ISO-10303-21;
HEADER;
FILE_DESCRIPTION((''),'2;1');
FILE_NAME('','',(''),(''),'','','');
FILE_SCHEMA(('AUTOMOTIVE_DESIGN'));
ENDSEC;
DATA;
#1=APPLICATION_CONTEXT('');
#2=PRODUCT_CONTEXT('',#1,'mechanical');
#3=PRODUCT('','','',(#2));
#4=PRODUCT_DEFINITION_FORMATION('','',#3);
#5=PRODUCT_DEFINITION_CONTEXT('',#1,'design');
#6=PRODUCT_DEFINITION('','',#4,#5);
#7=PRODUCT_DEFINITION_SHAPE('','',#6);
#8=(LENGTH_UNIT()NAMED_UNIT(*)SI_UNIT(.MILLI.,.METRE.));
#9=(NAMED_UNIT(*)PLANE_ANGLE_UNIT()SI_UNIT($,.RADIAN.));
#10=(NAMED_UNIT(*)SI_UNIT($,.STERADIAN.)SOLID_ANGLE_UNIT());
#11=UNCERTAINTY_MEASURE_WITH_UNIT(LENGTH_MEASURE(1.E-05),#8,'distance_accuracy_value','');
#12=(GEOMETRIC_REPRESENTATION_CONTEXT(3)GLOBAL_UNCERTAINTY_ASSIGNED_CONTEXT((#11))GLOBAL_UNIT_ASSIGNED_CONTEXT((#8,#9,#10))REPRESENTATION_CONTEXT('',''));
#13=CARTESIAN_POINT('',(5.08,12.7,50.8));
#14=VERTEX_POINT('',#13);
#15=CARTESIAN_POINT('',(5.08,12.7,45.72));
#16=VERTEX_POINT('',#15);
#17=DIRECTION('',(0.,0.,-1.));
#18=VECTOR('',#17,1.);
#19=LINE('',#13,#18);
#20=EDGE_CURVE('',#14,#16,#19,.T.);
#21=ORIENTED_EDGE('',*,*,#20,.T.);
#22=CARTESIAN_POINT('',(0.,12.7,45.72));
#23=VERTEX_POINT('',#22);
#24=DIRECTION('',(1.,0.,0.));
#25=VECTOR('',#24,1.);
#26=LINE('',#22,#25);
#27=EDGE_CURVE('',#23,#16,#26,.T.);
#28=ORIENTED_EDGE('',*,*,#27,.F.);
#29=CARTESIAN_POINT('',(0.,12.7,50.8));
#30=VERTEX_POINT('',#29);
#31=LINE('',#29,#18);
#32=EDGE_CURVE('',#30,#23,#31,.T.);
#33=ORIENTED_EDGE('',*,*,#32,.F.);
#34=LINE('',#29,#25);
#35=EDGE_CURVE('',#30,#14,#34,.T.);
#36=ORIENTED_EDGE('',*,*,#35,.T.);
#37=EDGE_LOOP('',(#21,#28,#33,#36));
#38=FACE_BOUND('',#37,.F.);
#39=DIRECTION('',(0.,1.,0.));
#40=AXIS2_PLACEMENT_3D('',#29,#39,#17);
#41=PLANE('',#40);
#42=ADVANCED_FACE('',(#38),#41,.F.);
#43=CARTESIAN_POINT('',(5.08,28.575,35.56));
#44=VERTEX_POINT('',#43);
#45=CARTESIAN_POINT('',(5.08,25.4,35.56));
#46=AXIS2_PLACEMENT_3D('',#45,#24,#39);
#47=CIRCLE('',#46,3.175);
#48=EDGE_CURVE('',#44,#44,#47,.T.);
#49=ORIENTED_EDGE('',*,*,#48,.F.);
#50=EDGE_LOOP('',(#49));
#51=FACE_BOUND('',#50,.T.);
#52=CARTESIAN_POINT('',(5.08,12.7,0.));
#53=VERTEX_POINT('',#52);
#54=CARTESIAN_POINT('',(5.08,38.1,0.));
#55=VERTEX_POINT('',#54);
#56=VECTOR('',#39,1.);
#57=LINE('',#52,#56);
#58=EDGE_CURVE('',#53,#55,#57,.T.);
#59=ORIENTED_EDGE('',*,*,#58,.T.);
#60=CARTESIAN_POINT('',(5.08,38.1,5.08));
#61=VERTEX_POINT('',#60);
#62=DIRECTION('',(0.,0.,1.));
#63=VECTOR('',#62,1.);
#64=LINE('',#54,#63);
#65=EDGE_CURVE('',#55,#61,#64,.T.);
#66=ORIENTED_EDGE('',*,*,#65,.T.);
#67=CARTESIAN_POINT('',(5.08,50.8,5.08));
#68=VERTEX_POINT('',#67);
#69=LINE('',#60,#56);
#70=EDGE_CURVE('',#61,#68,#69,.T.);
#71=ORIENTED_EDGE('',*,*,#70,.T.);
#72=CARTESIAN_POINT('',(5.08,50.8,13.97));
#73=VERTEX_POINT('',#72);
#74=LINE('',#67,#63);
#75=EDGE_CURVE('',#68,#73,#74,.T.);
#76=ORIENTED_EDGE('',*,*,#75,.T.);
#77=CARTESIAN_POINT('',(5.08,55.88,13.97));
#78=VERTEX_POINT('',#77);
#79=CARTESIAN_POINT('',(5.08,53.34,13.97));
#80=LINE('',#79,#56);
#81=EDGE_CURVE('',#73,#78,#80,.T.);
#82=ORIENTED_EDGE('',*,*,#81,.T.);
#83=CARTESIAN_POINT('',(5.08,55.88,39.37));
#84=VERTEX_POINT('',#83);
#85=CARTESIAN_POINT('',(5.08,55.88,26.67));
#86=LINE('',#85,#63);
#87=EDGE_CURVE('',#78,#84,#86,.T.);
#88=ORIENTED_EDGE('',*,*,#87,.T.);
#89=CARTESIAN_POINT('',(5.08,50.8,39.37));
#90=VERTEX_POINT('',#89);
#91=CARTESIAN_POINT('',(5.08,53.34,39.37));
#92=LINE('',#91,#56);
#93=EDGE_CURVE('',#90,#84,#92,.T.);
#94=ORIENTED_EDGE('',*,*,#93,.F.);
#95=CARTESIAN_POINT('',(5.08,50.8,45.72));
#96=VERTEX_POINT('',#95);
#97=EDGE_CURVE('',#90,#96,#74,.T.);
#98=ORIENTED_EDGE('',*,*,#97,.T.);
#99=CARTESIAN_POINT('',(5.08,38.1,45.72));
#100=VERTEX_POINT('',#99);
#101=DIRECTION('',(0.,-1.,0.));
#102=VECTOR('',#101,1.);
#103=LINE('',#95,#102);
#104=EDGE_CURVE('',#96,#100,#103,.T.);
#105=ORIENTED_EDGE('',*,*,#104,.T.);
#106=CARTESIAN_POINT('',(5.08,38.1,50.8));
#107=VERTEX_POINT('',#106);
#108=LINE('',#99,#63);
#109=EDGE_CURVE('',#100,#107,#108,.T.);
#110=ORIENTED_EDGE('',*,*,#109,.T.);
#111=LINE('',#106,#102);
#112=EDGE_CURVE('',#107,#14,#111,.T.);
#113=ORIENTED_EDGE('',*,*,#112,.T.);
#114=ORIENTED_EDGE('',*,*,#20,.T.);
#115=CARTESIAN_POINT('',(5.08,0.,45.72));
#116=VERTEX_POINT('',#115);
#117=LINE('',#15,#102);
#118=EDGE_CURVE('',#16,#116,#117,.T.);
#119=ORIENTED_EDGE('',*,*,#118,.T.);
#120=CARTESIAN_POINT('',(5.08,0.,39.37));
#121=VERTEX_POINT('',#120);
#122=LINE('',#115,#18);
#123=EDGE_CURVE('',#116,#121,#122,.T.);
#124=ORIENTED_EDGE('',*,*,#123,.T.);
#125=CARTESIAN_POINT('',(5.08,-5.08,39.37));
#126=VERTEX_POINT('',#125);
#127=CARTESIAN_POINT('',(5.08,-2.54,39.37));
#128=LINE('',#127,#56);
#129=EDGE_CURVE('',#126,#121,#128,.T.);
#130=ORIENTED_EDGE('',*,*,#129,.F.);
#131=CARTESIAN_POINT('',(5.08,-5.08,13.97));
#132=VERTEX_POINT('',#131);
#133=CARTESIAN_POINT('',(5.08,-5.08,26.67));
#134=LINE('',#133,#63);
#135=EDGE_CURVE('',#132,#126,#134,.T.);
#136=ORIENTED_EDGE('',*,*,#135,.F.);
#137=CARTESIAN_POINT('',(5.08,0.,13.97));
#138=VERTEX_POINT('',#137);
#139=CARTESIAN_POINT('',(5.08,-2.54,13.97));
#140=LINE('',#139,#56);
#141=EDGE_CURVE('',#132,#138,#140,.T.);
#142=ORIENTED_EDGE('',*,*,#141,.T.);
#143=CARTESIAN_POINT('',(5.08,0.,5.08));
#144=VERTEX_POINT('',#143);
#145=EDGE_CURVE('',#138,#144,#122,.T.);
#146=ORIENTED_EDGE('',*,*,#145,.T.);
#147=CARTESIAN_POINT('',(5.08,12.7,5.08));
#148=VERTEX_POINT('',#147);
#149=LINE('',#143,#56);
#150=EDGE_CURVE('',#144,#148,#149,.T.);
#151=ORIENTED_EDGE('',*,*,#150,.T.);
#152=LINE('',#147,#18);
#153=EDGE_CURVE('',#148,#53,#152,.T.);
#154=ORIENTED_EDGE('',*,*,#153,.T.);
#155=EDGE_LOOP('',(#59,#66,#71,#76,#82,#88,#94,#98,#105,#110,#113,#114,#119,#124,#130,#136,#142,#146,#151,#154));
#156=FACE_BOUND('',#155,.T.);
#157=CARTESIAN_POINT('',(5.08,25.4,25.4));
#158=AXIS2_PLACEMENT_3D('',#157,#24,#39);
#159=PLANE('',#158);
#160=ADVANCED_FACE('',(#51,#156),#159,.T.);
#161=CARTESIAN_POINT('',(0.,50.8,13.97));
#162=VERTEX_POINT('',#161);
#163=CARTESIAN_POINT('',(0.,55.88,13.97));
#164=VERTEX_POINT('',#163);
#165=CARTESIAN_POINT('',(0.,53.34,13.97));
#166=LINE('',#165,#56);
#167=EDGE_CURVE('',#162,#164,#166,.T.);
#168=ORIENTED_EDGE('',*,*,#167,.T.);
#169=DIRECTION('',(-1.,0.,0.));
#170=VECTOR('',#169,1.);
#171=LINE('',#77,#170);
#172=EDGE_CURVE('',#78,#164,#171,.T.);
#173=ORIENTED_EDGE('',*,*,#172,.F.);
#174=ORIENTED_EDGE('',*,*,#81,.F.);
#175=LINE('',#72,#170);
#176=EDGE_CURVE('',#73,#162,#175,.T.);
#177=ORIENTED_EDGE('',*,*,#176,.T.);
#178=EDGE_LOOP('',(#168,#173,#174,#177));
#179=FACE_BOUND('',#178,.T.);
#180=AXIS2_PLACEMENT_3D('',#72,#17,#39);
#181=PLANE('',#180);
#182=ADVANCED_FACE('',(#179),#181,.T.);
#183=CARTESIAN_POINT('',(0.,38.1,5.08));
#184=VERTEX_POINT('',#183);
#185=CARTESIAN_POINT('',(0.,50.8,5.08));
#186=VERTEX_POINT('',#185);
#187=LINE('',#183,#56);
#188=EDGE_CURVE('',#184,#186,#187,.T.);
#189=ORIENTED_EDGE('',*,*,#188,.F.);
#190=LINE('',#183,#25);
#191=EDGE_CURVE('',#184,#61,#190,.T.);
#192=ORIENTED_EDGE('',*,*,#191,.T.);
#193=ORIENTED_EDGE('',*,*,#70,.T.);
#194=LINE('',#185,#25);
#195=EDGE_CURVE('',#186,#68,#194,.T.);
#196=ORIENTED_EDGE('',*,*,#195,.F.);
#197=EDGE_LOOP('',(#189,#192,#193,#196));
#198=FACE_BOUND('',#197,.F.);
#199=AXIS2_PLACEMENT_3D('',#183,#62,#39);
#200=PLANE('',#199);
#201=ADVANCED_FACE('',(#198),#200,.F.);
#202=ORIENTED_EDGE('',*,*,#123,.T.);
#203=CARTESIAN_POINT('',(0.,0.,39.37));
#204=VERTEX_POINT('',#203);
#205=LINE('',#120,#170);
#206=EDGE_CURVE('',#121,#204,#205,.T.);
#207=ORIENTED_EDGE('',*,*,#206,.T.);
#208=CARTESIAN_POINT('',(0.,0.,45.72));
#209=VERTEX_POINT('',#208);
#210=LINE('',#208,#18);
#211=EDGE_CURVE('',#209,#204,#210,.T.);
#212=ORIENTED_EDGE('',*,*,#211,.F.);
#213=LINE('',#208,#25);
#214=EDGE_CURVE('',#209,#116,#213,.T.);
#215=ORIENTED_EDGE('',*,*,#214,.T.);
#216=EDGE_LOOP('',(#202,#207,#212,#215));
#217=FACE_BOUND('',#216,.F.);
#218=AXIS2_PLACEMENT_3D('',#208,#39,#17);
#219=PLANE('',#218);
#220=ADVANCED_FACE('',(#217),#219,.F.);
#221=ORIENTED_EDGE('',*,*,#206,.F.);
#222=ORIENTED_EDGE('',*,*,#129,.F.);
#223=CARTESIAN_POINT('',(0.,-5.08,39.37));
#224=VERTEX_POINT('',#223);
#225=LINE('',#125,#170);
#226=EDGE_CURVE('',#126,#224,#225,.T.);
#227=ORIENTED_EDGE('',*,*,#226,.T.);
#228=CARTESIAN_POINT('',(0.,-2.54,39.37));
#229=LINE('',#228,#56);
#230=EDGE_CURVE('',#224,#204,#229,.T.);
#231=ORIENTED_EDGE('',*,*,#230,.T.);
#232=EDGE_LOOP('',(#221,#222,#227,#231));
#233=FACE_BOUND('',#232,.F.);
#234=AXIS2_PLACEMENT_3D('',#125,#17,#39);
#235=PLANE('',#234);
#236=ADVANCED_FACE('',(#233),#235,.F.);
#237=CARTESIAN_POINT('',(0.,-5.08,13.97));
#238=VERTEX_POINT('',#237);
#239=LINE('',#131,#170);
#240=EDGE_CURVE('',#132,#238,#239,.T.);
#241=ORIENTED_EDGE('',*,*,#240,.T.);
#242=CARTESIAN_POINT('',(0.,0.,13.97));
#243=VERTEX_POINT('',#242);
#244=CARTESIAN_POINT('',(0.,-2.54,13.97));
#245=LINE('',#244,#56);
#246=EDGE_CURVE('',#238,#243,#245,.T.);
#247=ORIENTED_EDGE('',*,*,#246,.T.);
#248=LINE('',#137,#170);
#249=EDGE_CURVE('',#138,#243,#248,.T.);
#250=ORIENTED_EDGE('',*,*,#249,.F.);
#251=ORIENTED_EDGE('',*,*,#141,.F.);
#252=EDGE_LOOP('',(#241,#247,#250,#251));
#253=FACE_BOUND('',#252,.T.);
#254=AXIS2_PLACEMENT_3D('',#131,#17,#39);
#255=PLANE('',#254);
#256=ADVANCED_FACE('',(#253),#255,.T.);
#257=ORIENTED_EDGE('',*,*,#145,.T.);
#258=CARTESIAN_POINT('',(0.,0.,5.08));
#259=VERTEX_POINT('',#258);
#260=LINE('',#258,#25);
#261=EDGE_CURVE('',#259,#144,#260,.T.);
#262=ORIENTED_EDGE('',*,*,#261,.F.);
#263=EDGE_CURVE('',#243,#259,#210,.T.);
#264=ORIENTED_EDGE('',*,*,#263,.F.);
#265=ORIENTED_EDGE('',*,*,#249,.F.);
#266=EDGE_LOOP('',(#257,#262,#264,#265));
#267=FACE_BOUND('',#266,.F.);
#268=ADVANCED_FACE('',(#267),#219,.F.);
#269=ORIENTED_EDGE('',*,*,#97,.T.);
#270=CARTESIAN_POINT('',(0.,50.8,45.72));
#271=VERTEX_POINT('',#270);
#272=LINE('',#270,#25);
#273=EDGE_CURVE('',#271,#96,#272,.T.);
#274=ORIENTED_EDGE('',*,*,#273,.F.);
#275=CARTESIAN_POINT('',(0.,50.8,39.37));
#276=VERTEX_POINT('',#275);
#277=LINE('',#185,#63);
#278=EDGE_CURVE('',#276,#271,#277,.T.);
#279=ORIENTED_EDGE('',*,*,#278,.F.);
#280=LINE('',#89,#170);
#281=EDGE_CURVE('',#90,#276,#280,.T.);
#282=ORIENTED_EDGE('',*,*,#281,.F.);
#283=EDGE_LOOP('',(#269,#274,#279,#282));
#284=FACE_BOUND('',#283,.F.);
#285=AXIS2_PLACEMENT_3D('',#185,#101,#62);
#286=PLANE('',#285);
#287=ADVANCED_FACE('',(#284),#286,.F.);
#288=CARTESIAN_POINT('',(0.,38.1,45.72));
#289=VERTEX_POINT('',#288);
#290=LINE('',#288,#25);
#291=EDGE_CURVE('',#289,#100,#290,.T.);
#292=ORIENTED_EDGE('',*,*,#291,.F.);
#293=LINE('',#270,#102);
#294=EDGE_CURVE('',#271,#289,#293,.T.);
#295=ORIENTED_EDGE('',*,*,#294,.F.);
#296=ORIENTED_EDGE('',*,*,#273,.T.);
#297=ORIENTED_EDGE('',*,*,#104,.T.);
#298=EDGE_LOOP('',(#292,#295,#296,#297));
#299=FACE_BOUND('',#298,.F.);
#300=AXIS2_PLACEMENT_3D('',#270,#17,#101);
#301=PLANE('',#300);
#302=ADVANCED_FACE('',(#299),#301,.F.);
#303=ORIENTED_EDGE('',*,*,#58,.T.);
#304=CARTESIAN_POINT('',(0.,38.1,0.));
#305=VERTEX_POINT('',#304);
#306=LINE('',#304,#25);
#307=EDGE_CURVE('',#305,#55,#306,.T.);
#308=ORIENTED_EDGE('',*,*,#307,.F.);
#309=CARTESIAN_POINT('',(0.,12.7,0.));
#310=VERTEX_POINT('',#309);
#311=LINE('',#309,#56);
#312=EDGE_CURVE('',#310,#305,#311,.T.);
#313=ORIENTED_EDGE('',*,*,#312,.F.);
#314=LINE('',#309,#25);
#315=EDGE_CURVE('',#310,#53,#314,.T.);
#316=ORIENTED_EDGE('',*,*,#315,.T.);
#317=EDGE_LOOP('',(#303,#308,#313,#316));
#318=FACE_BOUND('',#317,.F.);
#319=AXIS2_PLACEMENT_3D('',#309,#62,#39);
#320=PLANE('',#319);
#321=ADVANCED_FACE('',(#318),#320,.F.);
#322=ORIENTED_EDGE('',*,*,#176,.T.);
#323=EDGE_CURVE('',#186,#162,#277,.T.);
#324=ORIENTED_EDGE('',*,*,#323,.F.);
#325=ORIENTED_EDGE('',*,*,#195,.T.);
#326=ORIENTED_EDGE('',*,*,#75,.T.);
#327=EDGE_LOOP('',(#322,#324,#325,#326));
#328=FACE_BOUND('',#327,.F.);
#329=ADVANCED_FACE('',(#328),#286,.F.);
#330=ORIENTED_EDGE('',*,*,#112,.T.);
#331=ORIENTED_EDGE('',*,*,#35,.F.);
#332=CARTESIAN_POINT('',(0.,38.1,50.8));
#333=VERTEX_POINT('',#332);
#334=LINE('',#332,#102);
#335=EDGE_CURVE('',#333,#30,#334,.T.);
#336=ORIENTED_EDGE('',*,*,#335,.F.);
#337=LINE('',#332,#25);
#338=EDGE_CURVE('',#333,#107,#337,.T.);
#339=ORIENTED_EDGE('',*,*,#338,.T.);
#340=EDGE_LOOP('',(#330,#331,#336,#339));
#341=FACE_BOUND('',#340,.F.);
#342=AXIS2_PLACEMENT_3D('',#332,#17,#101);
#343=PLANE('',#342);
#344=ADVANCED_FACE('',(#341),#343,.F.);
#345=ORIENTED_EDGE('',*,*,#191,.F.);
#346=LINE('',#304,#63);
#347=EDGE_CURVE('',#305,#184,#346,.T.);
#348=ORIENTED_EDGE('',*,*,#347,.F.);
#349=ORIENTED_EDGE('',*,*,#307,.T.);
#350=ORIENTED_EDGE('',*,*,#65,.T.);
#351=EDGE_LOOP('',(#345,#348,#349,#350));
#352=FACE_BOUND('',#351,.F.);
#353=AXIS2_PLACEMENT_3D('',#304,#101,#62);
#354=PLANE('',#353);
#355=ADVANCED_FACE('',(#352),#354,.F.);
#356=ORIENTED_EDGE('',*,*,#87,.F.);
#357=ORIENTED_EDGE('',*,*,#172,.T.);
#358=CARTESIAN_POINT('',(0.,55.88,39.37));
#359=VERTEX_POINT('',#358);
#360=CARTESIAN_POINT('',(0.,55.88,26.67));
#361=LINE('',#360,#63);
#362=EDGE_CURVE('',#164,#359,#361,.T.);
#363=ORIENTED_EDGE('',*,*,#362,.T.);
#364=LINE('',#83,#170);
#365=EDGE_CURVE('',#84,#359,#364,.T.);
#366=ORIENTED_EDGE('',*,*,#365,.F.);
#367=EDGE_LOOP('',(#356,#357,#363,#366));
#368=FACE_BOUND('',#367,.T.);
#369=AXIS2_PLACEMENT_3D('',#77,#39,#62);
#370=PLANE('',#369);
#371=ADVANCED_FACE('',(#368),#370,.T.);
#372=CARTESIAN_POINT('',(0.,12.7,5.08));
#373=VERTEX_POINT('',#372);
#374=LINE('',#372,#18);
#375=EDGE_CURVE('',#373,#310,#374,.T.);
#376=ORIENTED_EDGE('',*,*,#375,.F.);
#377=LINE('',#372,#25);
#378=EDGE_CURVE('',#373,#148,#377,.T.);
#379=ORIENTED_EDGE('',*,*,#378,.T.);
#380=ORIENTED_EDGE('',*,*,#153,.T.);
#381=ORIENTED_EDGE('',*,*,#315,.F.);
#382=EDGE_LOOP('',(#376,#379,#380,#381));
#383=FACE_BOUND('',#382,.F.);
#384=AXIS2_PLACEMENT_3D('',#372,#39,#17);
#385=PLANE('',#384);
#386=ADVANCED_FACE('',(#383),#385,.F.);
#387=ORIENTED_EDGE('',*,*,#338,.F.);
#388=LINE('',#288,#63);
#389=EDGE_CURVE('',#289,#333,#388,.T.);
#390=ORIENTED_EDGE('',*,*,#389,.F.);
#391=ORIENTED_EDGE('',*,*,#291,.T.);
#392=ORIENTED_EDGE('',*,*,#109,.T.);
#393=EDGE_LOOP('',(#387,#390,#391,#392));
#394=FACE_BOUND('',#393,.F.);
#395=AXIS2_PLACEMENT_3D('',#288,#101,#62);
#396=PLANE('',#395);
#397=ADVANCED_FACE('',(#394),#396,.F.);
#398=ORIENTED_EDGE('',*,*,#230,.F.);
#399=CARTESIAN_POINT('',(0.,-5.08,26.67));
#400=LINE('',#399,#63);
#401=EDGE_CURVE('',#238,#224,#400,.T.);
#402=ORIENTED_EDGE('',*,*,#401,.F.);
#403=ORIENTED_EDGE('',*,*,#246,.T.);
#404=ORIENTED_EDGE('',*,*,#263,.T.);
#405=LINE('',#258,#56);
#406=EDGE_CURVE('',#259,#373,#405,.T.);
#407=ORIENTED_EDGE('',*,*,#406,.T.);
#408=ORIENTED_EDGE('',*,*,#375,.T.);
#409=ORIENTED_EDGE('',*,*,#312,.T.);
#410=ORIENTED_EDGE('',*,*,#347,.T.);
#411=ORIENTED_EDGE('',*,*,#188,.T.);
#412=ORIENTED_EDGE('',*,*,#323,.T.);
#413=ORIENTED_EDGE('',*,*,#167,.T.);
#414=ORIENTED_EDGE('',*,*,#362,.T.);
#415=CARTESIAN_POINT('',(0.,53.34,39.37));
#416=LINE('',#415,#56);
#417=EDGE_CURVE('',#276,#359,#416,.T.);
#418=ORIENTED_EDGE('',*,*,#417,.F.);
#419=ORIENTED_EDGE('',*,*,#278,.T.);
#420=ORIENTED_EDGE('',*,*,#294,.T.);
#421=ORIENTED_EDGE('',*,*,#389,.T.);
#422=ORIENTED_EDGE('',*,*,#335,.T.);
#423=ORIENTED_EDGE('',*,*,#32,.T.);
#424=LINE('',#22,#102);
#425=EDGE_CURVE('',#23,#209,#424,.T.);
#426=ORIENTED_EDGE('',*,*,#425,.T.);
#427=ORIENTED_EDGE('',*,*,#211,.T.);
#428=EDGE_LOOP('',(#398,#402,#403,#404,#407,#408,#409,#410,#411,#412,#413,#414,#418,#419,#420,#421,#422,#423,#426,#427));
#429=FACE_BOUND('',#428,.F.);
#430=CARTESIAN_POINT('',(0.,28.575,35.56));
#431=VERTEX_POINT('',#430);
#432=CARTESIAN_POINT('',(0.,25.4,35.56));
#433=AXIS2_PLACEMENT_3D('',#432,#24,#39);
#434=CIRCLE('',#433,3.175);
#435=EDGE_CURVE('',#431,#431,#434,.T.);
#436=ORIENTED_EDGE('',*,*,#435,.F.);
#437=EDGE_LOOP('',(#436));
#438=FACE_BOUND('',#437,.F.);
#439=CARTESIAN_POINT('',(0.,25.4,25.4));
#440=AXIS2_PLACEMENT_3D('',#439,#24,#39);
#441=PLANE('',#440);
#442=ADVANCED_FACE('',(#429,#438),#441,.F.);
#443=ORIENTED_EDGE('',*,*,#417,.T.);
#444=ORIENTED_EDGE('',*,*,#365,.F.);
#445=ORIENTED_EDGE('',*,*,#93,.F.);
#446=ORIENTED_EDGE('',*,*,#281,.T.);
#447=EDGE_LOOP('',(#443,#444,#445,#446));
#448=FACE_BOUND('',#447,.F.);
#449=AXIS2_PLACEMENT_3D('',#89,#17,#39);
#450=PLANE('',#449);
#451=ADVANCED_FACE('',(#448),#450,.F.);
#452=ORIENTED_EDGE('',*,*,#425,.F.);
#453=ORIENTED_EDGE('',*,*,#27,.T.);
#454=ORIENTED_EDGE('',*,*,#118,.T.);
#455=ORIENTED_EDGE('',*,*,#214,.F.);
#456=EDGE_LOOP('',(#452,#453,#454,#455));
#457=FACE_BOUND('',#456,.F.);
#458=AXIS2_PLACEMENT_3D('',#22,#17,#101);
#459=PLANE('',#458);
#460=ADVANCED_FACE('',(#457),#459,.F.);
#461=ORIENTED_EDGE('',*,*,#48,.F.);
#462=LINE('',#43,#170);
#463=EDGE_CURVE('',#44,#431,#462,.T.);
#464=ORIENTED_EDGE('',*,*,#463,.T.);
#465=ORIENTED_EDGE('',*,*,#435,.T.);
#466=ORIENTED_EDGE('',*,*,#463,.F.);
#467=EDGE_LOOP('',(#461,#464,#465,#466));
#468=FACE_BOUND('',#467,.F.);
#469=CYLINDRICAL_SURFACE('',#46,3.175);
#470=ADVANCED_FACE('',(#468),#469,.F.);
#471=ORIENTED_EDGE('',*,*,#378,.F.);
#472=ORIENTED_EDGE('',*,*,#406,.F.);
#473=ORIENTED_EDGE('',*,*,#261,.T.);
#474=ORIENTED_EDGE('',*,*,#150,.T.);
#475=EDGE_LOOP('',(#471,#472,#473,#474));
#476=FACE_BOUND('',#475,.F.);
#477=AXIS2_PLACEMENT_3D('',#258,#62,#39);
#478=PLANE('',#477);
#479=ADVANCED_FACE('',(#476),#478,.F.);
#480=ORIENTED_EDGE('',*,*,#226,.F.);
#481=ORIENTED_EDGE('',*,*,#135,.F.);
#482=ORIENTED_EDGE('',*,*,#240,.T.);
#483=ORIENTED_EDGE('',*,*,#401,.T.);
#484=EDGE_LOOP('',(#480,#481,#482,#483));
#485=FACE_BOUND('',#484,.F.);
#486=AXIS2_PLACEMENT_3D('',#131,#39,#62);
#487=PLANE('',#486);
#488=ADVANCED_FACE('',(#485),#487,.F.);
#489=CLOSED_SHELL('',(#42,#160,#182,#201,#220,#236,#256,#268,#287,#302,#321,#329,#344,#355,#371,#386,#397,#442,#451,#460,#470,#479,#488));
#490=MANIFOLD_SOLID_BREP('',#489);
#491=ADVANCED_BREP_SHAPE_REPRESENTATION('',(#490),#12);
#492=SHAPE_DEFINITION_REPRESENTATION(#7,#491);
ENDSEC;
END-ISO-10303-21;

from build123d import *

# Parameters (mm, degrees)
F1_DEPTH = 5.08
F2_R     = 3.175
F3_DEPTH = 25.4
F4_W     = 5.08
F4_H     = 25.4
F5_DEPTH = 5.08


with BuildPart() as f1:
    # F0 (on Right) → F1 (new body)
    with BuildSketch(Plane.YZ):
        Polygon((12.7, 5.08), (12.7, 0), (38.1, 0), (38.1, 5.08), (50.8, 5.08), (50.8, 45.72), (38.1, 45.72), (38.1, 50.8), (12.7, 50.8), (12.7, 45.72), (0, 45.72), (0, 5.08), align=None)
    extrude(amount=F1_DEPTH)

    # F2 (on face) → F3 (cut)
    with BuildSketch(Plane.YZ.offset(5.08)):
        with Locations((25.4, 35.56)):
            Circle(F2_R)
    extrude(amount=-F3_DEPTH, mode=Mode.SUBTRACT)

    # F4 (on face) → F5 (join)
    with BuildSketch(Plane.YZ.offset(5.08)):
        with Locations((-2.54, 26.67)):
            Rectangle(F4_W, F4_H)
        with Locations((53.34, 26.67)):
            Rectangle(F4_W, F4_H)
    extrude(amount=-F5_DEPTH)


solid = f1.part
